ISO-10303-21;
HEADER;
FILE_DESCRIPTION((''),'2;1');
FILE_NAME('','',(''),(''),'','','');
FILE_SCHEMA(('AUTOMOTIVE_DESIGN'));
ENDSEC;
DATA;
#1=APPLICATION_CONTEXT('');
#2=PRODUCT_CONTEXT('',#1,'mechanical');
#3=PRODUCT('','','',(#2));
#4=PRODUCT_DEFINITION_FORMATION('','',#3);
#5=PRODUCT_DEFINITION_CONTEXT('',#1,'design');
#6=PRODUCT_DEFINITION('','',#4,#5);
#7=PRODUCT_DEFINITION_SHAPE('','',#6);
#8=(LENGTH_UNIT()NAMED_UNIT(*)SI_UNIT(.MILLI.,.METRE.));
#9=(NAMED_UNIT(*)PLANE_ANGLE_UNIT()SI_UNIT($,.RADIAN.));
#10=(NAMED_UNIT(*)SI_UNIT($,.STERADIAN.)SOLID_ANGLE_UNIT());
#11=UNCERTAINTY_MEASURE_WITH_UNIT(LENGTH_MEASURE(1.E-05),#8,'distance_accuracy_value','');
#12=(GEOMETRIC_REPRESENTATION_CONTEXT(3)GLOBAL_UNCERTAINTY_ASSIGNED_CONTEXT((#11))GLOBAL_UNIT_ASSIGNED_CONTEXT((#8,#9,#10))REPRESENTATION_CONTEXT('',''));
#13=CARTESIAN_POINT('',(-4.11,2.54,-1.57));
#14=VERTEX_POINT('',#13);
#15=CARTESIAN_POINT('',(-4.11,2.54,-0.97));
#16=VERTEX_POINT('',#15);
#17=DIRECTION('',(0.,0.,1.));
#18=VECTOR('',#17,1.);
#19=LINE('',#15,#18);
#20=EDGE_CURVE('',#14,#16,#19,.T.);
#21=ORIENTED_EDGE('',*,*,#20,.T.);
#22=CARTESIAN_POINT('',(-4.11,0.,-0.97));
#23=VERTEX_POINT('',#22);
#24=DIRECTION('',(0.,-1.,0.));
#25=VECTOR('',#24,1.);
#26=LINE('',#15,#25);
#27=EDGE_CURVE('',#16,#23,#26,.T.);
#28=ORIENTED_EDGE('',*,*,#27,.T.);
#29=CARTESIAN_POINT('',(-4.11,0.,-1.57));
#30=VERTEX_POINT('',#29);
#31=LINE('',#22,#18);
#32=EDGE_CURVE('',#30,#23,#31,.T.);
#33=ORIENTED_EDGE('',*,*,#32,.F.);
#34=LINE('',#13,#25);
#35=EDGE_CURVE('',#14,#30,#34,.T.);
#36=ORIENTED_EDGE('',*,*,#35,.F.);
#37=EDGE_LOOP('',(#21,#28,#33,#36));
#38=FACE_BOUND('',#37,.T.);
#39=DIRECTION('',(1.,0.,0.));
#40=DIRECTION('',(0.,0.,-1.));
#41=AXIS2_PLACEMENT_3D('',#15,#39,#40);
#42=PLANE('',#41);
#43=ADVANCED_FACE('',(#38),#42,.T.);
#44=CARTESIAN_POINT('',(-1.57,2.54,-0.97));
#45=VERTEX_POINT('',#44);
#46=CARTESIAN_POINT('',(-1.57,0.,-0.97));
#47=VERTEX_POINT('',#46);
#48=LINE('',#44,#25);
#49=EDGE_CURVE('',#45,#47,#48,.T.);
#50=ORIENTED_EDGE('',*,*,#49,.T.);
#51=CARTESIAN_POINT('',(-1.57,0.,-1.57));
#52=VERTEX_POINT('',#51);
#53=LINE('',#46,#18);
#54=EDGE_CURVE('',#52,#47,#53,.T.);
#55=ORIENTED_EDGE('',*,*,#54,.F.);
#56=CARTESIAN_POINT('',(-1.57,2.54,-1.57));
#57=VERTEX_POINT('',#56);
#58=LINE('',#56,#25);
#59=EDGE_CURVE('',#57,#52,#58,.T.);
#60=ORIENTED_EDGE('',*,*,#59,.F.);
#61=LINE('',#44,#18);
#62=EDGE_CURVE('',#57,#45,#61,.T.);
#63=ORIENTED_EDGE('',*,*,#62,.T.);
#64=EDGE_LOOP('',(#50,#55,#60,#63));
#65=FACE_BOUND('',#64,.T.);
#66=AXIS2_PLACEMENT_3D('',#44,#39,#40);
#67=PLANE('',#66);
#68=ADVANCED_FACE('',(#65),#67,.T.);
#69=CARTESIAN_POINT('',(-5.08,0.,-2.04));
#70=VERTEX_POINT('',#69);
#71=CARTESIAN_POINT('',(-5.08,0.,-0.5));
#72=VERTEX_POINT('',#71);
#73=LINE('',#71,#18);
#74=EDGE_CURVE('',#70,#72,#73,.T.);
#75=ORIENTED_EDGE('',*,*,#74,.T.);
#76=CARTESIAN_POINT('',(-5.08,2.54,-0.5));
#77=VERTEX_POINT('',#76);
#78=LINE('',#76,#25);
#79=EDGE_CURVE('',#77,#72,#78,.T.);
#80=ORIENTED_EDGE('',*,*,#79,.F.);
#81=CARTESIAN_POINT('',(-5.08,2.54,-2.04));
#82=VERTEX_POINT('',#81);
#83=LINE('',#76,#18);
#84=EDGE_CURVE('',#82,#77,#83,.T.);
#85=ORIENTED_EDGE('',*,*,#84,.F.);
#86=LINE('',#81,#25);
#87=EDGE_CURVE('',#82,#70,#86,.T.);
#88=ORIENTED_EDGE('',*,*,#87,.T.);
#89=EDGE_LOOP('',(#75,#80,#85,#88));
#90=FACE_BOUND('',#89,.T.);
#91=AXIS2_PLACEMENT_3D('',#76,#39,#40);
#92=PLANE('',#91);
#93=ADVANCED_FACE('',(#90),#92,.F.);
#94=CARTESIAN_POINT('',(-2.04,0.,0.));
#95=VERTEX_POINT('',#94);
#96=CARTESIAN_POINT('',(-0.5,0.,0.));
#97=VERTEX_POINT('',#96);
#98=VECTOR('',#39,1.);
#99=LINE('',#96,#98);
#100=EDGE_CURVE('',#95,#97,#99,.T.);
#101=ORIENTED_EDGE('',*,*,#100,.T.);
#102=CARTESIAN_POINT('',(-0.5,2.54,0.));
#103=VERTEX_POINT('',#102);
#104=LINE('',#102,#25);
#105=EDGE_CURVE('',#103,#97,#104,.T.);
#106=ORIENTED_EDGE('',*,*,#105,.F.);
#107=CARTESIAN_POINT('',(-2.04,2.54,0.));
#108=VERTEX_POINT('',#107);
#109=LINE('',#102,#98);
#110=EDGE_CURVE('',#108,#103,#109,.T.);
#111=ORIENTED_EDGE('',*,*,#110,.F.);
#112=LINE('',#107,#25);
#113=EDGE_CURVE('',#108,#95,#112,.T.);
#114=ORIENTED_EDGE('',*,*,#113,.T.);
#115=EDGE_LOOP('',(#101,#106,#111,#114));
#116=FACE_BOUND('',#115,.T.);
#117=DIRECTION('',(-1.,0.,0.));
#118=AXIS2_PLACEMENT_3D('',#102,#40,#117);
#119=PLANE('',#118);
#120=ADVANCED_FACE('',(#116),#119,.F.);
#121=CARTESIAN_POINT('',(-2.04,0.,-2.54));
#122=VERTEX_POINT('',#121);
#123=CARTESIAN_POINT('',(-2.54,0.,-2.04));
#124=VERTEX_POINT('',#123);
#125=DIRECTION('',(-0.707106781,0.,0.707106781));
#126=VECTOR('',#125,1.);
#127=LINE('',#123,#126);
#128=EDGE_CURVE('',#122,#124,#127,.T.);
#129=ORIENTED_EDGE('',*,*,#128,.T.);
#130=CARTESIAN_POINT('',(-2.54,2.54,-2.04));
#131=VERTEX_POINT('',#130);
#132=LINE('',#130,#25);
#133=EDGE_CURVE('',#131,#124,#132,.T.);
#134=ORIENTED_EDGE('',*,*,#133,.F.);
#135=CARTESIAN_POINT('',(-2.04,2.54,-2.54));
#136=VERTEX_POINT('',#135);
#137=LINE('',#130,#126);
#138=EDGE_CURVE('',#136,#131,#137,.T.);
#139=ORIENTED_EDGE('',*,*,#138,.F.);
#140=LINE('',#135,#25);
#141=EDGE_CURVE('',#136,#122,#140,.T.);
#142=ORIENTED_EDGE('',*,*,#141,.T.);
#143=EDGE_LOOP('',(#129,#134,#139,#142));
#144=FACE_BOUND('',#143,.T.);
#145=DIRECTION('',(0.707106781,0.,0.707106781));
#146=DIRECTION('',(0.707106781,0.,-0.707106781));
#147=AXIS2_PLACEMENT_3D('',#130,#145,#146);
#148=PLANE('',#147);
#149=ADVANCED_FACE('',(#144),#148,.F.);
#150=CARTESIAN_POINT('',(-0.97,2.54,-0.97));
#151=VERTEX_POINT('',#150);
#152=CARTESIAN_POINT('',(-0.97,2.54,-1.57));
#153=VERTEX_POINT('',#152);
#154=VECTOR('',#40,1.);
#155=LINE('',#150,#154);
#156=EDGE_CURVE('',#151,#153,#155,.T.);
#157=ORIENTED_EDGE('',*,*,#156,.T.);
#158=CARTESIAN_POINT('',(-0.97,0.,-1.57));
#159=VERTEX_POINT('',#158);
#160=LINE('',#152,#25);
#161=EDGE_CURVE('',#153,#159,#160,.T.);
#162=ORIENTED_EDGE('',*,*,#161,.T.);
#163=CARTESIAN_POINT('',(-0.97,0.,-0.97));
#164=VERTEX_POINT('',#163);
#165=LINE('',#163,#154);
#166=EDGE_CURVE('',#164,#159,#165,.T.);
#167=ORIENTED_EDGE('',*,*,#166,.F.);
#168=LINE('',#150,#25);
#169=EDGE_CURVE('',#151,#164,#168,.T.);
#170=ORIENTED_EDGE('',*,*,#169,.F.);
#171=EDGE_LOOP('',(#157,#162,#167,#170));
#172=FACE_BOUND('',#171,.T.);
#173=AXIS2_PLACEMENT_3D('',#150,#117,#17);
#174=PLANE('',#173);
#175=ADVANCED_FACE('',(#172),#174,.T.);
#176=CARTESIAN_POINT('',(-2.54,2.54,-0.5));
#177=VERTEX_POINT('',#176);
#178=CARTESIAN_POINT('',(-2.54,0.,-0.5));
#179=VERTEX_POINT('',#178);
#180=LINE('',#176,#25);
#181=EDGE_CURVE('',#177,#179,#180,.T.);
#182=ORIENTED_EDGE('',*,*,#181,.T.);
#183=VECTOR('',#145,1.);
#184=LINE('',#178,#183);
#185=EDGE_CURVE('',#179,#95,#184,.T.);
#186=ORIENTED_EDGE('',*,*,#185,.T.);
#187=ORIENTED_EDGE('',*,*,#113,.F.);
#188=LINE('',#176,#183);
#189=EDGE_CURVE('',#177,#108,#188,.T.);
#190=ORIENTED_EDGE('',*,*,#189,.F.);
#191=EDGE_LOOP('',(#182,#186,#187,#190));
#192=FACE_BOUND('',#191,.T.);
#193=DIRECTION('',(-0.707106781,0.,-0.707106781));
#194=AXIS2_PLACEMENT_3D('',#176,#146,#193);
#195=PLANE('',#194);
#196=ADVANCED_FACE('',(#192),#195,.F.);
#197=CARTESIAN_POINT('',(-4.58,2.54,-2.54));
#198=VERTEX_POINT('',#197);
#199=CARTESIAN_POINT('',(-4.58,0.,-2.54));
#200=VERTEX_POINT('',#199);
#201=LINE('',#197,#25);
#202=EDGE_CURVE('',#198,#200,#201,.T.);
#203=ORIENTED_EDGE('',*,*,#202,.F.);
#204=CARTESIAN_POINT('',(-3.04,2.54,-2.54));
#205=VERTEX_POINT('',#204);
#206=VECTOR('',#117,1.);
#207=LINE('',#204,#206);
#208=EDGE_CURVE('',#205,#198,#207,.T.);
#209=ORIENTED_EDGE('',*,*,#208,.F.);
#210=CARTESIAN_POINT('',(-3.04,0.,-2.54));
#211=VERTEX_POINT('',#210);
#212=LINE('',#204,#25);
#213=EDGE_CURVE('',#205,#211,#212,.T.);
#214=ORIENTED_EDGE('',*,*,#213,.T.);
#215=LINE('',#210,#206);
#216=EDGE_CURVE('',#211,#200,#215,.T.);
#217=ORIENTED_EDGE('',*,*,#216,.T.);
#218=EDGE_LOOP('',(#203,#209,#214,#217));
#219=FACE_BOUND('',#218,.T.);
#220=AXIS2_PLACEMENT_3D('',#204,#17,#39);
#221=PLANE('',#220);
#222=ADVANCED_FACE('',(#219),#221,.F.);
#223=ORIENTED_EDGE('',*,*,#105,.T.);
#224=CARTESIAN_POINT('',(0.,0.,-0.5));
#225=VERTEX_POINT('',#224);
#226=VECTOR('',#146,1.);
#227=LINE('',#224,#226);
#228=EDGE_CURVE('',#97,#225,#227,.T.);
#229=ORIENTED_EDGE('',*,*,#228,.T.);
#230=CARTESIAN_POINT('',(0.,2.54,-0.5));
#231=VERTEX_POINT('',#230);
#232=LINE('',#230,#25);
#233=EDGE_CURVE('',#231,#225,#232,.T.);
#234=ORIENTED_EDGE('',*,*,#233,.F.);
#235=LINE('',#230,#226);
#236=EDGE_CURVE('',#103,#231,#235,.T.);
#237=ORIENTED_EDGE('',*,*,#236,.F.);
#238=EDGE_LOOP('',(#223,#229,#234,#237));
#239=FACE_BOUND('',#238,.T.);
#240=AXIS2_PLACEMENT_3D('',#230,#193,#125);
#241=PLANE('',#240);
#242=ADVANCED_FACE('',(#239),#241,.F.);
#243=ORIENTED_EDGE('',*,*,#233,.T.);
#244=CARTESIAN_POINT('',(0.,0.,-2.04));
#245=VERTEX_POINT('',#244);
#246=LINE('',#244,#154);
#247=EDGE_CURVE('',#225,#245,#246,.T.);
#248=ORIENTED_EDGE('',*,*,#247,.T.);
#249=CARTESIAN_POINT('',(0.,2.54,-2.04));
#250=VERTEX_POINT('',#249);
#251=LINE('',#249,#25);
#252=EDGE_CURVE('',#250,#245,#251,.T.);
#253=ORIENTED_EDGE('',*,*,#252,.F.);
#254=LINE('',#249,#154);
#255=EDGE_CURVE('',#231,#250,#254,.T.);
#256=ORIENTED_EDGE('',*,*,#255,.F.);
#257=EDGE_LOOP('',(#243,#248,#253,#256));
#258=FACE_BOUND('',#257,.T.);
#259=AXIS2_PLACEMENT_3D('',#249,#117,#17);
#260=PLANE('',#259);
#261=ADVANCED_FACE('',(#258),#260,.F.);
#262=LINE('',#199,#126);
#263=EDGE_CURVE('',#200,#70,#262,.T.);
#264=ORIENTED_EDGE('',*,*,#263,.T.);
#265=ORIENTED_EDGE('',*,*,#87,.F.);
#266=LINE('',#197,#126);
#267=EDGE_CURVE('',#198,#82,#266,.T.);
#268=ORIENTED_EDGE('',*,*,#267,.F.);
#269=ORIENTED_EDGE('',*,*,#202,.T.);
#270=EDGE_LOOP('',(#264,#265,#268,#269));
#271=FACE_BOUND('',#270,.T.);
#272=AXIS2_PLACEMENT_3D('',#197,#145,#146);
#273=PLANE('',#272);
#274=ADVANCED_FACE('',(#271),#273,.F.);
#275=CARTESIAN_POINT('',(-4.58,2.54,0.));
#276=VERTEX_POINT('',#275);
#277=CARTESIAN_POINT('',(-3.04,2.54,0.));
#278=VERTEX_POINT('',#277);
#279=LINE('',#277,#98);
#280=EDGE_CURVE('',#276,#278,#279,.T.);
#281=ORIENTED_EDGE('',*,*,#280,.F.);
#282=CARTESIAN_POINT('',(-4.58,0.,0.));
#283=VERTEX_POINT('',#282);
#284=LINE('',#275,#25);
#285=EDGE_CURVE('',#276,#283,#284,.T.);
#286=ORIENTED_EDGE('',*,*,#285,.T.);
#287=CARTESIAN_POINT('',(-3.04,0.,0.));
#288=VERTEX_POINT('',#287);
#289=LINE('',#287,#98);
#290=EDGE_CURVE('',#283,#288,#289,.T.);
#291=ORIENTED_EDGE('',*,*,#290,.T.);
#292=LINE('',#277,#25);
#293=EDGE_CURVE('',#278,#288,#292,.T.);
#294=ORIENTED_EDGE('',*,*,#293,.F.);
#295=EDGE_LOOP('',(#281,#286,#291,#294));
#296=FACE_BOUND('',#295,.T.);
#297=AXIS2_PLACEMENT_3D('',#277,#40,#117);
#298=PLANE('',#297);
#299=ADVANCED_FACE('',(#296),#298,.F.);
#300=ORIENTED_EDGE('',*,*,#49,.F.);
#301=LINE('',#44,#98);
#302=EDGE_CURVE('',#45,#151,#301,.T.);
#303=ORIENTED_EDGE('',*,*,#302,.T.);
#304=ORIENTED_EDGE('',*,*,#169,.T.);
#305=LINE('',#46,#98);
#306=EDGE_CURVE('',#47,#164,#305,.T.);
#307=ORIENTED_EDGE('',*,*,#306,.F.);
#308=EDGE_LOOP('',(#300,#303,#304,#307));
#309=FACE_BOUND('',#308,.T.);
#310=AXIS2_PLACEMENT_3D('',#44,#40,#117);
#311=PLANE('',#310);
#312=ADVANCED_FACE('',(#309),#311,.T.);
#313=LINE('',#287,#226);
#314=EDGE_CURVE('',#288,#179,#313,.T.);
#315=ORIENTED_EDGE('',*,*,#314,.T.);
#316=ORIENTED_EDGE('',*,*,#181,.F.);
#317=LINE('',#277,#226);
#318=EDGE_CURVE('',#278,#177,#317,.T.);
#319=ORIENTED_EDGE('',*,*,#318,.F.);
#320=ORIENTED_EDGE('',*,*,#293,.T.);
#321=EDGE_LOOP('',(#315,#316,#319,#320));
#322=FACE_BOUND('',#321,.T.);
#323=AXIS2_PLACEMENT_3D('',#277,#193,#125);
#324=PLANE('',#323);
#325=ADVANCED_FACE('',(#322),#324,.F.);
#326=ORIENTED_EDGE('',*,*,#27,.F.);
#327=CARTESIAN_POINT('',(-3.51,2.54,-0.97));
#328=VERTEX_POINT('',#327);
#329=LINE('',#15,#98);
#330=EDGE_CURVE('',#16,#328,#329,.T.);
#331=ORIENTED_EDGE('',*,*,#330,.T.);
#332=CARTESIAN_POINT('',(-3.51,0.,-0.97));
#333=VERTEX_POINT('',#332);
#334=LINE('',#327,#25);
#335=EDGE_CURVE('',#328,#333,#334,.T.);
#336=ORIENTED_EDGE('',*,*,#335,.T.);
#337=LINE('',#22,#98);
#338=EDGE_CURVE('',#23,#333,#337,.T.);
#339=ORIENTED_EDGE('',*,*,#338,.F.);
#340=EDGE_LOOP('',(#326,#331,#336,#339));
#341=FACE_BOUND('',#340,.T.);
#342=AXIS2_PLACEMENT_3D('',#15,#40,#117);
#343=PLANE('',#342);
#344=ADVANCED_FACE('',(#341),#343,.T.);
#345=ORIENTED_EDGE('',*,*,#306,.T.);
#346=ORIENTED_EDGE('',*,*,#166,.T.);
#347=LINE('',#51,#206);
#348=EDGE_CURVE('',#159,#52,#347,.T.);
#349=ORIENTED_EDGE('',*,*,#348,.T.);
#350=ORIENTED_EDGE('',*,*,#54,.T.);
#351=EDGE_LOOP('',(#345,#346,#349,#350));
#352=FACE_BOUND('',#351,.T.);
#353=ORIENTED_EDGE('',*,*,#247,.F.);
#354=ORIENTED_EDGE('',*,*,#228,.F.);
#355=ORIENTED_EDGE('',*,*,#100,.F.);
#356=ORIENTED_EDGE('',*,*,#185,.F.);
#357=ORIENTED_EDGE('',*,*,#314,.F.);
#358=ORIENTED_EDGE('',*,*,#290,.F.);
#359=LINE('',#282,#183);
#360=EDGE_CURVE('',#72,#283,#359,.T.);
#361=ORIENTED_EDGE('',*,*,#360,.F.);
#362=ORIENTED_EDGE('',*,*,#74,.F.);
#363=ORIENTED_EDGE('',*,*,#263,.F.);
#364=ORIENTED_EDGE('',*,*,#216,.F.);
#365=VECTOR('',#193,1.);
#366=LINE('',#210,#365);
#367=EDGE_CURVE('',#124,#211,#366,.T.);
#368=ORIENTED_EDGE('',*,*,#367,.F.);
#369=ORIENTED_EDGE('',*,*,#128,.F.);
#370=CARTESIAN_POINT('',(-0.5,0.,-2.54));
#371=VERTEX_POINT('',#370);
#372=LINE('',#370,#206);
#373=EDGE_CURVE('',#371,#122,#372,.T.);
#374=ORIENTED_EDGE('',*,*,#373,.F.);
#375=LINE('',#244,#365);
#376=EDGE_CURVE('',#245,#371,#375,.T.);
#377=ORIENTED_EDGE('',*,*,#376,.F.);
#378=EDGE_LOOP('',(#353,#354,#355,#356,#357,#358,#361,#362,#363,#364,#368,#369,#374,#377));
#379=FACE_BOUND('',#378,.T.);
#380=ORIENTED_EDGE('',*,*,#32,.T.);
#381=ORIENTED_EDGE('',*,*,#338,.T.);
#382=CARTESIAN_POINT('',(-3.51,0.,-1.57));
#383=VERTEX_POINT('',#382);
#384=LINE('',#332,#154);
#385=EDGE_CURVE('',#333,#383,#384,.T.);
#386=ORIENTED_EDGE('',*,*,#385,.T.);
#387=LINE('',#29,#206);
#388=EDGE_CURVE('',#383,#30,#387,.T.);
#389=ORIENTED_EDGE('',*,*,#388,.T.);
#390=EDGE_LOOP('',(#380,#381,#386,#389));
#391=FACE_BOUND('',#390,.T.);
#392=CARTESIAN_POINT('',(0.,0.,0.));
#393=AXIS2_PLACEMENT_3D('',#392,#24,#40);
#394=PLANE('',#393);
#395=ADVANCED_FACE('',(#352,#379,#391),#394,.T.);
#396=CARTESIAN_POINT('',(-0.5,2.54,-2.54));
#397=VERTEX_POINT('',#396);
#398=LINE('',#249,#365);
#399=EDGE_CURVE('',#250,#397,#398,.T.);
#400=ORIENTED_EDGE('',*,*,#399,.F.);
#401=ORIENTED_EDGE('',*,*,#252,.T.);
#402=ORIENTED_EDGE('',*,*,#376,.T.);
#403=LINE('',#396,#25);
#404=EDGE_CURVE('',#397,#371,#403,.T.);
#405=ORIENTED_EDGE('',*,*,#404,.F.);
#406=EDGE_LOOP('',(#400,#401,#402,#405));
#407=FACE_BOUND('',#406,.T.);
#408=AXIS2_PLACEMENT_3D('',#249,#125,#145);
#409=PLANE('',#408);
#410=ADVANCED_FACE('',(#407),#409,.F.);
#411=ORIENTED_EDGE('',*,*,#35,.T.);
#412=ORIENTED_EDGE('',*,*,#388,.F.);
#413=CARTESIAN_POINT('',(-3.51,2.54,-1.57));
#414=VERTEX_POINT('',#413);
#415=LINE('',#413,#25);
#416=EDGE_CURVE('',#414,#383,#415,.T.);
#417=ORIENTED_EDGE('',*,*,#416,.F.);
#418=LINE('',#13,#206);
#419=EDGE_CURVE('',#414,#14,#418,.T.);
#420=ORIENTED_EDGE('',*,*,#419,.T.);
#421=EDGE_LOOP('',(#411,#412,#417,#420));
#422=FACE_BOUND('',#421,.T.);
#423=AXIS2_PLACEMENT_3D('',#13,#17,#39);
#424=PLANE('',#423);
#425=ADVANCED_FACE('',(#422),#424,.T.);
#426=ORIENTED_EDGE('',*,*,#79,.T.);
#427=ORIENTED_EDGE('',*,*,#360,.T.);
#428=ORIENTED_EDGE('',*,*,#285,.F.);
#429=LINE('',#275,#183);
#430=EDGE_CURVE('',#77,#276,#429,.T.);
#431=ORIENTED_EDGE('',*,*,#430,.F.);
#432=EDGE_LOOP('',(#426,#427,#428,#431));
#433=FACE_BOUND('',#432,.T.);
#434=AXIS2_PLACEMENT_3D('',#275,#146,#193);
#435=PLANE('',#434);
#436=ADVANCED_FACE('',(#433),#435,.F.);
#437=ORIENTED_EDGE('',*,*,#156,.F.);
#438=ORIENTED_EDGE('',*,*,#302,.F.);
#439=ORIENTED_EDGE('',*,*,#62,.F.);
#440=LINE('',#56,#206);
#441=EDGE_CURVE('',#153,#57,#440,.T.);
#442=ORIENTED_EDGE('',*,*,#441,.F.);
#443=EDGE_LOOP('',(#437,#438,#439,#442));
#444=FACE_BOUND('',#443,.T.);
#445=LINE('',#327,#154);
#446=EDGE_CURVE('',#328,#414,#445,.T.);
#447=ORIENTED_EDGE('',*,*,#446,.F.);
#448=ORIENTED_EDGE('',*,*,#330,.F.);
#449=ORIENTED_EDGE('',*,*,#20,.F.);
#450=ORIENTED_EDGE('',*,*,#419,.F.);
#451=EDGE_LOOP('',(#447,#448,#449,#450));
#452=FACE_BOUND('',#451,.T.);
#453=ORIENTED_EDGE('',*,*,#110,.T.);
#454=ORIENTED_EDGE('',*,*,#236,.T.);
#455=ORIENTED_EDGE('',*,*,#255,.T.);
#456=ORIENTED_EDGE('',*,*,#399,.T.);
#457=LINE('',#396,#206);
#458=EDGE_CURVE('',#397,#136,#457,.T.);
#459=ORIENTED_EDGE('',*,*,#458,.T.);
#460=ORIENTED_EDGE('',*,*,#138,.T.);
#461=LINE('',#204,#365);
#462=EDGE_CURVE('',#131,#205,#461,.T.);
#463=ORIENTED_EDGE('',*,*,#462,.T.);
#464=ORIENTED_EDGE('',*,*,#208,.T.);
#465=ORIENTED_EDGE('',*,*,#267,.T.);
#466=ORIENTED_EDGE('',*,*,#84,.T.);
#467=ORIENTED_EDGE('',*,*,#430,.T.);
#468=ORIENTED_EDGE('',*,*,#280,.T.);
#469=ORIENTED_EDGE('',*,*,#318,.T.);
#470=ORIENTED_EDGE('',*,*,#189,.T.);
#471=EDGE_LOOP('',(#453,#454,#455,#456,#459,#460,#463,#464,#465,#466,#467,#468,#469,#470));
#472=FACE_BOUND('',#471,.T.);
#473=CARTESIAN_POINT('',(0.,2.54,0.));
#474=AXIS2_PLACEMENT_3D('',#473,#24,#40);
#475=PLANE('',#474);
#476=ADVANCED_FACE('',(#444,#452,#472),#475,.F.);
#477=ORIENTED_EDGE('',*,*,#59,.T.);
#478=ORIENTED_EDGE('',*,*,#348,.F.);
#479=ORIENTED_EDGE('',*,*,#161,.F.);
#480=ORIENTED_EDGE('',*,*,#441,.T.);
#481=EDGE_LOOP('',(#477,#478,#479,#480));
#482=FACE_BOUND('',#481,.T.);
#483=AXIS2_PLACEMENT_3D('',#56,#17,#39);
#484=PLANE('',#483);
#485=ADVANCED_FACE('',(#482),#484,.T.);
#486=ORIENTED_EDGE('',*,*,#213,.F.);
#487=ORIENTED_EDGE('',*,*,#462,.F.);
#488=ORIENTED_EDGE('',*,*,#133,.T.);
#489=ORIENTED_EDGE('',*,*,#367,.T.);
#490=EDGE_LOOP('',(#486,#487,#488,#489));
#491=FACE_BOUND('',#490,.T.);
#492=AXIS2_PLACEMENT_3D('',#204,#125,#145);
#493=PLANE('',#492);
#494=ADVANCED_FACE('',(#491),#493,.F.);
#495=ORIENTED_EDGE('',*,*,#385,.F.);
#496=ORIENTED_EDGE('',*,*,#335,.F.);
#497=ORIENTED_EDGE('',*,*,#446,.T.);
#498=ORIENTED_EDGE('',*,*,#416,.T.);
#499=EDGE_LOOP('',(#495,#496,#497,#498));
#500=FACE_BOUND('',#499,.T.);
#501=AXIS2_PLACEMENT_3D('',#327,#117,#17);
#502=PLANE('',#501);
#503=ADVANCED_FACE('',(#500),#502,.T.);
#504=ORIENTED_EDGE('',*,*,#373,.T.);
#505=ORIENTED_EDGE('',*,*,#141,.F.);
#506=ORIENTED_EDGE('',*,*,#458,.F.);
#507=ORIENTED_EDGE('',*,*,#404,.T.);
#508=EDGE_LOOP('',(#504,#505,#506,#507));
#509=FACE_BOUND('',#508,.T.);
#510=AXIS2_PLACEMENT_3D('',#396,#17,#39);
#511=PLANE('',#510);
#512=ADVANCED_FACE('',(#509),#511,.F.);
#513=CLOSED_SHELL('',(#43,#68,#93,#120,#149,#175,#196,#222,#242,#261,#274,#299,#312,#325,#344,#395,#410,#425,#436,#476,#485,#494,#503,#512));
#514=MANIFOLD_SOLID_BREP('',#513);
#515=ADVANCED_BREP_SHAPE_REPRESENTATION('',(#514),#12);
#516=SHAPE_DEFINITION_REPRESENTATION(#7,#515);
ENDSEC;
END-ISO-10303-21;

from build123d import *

# Parameters (mm, degrees)
SKETCH1_W           = 0.6
SKETCH1_H           = 0.6
BOSS_EXTRUDE1_DEPTH = 2.54


with BuildPart() as part:
    # Sketch1 → Boss-Extrude1 (new body)
    with BuildSketch(Plane(origin=(0, 0, 0), x_dir=(1, 0, 0), z_dir=(0, 1, 0))):
        Polygon((-0.5, 0), (-2.04, 0), (-2.54, 0.5), (-3.04, 0), (-4.58, 0), (-5.08, 0.5), (-5.08, 2.04), (-4.58, 2.54), (-3.04, 2.54), (-2.54, 2.04), (-2.04, 2.54), (-0.5, 2.54), (0, 2.04), (0, 0.5), align=None)
        with Locations((-3.81, 1.27)):
            Rectangle(SKETCH1_W, SKETCH1_H, mode=Mode.SUBTRACT)
        with Locations((-1.27, 1.27)):
            Rectangle(SKETCH1_W, SKETCH1_H, mode=Mode.SUBTRACT)
    extrude(amount=BOSS_EXTRUDE1_DEPTH)


solid = part.part
